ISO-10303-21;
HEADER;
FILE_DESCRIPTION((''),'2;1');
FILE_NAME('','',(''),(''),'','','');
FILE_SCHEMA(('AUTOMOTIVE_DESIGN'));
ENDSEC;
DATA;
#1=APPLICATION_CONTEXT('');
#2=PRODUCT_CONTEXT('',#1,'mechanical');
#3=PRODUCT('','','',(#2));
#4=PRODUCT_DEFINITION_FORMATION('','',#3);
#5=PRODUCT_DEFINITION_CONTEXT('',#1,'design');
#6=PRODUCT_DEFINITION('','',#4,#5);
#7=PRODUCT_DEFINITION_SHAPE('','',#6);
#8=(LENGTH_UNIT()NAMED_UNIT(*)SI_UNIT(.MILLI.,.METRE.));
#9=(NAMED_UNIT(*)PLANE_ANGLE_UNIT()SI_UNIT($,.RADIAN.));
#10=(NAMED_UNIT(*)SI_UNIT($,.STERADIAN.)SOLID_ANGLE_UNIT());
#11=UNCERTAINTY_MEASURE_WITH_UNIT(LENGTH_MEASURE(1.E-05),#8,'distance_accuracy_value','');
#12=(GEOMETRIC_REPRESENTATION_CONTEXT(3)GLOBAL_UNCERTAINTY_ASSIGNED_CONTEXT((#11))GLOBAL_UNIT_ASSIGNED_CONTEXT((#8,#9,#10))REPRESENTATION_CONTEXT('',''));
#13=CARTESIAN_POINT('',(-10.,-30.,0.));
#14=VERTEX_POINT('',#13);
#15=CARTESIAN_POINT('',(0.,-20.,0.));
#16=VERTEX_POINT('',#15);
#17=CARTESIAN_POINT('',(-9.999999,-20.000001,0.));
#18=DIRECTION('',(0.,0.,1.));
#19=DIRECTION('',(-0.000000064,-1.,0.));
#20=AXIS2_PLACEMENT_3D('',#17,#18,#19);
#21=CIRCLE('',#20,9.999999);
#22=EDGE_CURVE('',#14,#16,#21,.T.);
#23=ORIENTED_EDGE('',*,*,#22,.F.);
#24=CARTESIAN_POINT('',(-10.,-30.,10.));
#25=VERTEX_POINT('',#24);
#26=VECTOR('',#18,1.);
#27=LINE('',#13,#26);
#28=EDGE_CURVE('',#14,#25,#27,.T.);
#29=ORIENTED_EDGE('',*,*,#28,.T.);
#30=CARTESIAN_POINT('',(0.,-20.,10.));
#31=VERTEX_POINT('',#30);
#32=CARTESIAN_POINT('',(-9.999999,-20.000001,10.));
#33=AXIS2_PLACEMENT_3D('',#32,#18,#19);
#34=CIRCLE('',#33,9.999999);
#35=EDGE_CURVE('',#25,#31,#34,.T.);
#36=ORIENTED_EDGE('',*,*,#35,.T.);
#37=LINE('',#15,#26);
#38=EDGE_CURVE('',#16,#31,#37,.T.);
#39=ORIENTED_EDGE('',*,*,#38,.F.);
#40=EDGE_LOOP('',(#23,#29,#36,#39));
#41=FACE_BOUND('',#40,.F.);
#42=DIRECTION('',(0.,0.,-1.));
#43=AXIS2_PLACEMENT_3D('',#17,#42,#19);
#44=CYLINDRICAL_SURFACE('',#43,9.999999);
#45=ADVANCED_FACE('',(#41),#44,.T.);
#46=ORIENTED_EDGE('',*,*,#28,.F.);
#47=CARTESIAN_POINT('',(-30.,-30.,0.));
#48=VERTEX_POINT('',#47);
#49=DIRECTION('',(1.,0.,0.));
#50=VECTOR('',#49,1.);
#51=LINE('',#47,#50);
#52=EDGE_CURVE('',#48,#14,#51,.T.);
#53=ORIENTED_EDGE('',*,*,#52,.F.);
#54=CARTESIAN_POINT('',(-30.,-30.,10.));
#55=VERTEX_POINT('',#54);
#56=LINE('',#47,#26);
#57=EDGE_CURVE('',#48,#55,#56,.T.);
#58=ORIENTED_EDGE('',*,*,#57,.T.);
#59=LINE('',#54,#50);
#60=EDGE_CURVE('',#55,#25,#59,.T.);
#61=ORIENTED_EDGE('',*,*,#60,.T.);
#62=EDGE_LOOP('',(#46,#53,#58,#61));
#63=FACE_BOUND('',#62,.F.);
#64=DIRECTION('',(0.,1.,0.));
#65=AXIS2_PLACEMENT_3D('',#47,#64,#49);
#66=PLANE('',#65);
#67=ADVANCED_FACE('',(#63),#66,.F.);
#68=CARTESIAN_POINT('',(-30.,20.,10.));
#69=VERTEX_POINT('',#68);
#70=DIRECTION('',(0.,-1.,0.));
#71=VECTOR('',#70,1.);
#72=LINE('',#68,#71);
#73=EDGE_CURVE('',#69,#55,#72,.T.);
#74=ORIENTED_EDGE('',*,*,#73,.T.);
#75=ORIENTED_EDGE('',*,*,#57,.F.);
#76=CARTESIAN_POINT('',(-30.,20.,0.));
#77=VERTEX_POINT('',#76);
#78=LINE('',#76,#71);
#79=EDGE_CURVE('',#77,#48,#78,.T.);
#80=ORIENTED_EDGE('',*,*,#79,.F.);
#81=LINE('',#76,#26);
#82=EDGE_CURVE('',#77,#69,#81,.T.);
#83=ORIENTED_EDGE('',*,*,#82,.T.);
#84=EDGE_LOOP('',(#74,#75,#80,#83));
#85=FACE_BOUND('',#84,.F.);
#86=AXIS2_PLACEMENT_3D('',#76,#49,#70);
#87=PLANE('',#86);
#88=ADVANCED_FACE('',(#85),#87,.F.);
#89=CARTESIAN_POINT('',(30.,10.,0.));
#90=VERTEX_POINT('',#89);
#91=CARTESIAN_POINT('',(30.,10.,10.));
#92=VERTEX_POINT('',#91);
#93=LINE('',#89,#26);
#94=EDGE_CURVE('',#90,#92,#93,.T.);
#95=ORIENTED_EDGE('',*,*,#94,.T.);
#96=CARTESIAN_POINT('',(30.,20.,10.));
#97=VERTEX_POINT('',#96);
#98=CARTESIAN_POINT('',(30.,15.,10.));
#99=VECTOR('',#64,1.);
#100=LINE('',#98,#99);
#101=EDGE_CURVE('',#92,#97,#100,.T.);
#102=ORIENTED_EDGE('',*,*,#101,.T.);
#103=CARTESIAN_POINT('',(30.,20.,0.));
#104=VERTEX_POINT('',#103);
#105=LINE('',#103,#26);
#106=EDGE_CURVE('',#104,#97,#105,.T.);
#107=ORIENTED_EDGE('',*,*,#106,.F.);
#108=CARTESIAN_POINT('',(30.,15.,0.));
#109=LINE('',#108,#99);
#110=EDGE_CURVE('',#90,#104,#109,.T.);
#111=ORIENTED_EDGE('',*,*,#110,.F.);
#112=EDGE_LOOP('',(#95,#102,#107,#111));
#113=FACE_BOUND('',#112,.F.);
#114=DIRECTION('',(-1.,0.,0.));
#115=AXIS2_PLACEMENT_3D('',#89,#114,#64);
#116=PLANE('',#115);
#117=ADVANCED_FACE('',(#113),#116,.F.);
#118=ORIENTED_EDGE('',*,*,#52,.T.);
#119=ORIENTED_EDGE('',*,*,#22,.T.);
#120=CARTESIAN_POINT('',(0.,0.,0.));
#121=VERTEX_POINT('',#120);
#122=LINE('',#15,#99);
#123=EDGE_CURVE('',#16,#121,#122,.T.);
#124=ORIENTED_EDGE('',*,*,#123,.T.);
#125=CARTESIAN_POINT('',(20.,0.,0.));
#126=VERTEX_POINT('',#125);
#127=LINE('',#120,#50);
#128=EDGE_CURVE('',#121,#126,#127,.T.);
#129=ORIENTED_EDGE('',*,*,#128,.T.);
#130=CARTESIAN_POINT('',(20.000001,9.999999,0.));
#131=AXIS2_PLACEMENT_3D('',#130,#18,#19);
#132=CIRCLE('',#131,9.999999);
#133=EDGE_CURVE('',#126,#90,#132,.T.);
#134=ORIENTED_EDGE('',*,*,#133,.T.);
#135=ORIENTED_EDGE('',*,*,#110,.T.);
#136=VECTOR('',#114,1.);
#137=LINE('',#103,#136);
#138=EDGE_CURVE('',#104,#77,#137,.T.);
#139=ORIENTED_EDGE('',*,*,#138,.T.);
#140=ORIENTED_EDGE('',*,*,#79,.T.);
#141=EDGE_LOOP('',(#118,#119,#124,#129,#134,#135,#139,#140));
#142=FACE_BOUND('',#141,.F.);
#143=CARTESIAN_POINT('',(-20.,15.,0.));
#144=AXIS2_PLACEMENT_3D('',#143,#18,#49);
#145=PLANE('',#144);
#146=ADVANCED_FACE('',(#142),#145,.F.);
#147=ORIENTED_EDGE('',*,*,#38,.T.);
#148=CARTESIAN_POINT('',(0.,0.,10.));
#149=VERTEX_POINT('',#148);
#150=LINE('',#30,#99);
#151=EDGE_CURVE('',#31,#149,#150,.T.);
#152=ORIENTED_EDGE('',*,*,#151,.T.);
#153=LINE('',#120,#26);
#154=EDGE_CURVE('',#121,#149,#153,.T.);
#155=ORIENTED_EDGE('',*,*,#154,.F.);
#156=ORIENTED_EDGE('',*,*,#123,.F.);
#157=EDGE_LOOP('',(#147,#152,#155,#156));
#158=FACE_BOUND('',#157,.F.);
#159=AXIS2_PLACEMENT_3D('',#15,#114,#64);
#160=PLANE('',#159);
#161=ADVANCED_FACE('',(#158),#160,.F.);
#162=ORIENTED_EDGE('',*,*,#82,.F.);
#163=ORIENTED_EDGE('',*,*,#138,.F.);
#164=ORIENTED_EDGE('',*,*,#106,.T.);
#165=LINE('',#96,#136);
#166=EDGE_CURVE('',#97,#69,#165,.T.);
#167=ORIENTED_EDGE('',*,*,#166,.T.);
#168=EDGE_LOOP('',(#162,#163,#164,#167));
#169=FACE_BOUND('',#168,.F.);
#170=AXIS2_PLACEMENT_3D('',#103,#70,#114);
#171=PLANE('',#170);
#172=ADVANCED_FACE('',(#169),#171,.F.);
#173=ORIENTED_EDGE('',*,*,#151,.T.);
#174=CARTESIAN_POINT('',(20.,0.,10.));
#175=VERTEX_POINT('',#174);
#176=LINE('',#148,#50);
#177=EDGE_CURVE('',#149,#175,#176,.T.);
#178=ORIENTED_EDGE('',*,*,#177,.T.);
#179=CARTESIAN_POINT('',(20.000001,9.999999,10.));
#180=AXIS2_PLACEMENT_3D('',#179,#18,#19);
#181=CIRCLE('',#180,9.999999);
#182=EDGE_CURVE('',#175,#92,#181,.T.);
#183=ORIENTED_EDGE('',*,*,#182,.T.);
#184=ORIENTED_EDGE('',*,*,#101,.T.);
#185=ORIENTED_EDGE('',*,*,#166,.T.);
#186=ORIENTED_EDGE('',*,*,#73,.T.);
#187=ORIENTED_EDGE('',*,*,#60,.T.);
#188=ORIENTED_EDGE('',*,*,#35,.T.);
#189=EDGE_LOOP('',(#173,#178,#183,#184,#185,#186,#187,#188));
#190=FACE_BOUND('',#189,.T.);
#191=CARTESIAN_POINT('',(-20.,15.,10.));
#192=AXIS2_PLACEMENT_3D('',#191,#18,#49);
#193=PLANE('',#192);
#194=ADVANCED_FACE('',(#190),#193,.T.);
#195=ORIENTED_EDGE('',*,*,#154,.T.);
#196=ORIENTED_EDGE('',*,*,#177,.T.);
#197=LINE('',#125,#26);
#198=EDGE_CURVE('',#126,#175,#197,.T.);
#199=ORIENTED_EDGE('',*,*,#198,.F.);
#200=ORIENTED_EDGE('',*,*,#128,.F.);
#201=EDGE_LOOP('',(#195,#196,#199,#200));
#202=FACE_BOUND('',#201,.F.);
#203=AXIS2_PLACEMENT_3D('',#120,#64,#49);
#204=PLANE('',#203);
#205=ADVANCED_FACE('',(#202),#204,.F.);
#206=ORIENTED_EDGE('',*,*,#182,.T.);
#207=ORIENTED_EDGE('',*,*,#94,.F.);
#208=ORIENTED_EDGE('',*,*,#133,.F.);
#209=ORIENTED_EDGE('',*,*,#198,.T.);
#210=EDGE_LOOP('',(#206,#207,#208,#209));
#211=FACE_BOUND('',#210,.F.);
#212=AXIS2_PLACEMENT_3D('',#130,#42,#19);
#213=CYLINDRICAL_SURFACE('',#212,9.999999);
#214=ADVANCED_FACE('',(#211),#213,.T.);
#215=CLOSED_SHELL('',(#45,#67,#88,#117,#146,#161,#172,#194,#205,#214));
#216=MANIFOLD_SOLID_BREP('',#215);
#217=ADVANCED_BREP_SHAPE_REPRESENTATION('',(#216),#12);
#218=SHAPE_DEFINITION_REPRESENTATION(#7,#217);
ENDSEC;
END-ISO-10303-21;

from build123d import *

# Parameters (mm, degrees)
F0_W     = 10
F0_H     = 10
F1_DEPTH = 10


with BuildPart() as f1:
    # F0 (on Top) → F1 (new body)
    with BuildSketch(Plane.XY):
        Polygon((-10, 20), (-30, 20), (-30, 10), (-20, 10), (-10, 10), align=None)
        Polygon((0, 20), (-10, 20), (-10, 10), (20, 10), (20, 20), align=None)
        Polygon((-20, 10), (-30, 10), (-30, 0), (-30, -30), (-20, -30), align=None)
        with BuildLine():
            Line((20, 10), (-10, 10))
            Line((-10, 10), (-20, 10))
            Line((-20, 10), (-20, -30))
            Line((-20, -30), (-10, -30))
            ThreePointArc((-10, -30), (-2.928932, -27.071068), (0, -20))
            Line((0, -20), (0, 0))
            Line((0, 0), (20, 0))
            ThreePointArc((20, 0), (27.071068, 2.928932), (30, 10))
            Line((30, 10), (20, 10))
        make_face()
        with Locations((25, 15)):
            Rectangle(F0_W, F0_H)
    extrude(amount=F1_DEPTH)


solid = f1.part
